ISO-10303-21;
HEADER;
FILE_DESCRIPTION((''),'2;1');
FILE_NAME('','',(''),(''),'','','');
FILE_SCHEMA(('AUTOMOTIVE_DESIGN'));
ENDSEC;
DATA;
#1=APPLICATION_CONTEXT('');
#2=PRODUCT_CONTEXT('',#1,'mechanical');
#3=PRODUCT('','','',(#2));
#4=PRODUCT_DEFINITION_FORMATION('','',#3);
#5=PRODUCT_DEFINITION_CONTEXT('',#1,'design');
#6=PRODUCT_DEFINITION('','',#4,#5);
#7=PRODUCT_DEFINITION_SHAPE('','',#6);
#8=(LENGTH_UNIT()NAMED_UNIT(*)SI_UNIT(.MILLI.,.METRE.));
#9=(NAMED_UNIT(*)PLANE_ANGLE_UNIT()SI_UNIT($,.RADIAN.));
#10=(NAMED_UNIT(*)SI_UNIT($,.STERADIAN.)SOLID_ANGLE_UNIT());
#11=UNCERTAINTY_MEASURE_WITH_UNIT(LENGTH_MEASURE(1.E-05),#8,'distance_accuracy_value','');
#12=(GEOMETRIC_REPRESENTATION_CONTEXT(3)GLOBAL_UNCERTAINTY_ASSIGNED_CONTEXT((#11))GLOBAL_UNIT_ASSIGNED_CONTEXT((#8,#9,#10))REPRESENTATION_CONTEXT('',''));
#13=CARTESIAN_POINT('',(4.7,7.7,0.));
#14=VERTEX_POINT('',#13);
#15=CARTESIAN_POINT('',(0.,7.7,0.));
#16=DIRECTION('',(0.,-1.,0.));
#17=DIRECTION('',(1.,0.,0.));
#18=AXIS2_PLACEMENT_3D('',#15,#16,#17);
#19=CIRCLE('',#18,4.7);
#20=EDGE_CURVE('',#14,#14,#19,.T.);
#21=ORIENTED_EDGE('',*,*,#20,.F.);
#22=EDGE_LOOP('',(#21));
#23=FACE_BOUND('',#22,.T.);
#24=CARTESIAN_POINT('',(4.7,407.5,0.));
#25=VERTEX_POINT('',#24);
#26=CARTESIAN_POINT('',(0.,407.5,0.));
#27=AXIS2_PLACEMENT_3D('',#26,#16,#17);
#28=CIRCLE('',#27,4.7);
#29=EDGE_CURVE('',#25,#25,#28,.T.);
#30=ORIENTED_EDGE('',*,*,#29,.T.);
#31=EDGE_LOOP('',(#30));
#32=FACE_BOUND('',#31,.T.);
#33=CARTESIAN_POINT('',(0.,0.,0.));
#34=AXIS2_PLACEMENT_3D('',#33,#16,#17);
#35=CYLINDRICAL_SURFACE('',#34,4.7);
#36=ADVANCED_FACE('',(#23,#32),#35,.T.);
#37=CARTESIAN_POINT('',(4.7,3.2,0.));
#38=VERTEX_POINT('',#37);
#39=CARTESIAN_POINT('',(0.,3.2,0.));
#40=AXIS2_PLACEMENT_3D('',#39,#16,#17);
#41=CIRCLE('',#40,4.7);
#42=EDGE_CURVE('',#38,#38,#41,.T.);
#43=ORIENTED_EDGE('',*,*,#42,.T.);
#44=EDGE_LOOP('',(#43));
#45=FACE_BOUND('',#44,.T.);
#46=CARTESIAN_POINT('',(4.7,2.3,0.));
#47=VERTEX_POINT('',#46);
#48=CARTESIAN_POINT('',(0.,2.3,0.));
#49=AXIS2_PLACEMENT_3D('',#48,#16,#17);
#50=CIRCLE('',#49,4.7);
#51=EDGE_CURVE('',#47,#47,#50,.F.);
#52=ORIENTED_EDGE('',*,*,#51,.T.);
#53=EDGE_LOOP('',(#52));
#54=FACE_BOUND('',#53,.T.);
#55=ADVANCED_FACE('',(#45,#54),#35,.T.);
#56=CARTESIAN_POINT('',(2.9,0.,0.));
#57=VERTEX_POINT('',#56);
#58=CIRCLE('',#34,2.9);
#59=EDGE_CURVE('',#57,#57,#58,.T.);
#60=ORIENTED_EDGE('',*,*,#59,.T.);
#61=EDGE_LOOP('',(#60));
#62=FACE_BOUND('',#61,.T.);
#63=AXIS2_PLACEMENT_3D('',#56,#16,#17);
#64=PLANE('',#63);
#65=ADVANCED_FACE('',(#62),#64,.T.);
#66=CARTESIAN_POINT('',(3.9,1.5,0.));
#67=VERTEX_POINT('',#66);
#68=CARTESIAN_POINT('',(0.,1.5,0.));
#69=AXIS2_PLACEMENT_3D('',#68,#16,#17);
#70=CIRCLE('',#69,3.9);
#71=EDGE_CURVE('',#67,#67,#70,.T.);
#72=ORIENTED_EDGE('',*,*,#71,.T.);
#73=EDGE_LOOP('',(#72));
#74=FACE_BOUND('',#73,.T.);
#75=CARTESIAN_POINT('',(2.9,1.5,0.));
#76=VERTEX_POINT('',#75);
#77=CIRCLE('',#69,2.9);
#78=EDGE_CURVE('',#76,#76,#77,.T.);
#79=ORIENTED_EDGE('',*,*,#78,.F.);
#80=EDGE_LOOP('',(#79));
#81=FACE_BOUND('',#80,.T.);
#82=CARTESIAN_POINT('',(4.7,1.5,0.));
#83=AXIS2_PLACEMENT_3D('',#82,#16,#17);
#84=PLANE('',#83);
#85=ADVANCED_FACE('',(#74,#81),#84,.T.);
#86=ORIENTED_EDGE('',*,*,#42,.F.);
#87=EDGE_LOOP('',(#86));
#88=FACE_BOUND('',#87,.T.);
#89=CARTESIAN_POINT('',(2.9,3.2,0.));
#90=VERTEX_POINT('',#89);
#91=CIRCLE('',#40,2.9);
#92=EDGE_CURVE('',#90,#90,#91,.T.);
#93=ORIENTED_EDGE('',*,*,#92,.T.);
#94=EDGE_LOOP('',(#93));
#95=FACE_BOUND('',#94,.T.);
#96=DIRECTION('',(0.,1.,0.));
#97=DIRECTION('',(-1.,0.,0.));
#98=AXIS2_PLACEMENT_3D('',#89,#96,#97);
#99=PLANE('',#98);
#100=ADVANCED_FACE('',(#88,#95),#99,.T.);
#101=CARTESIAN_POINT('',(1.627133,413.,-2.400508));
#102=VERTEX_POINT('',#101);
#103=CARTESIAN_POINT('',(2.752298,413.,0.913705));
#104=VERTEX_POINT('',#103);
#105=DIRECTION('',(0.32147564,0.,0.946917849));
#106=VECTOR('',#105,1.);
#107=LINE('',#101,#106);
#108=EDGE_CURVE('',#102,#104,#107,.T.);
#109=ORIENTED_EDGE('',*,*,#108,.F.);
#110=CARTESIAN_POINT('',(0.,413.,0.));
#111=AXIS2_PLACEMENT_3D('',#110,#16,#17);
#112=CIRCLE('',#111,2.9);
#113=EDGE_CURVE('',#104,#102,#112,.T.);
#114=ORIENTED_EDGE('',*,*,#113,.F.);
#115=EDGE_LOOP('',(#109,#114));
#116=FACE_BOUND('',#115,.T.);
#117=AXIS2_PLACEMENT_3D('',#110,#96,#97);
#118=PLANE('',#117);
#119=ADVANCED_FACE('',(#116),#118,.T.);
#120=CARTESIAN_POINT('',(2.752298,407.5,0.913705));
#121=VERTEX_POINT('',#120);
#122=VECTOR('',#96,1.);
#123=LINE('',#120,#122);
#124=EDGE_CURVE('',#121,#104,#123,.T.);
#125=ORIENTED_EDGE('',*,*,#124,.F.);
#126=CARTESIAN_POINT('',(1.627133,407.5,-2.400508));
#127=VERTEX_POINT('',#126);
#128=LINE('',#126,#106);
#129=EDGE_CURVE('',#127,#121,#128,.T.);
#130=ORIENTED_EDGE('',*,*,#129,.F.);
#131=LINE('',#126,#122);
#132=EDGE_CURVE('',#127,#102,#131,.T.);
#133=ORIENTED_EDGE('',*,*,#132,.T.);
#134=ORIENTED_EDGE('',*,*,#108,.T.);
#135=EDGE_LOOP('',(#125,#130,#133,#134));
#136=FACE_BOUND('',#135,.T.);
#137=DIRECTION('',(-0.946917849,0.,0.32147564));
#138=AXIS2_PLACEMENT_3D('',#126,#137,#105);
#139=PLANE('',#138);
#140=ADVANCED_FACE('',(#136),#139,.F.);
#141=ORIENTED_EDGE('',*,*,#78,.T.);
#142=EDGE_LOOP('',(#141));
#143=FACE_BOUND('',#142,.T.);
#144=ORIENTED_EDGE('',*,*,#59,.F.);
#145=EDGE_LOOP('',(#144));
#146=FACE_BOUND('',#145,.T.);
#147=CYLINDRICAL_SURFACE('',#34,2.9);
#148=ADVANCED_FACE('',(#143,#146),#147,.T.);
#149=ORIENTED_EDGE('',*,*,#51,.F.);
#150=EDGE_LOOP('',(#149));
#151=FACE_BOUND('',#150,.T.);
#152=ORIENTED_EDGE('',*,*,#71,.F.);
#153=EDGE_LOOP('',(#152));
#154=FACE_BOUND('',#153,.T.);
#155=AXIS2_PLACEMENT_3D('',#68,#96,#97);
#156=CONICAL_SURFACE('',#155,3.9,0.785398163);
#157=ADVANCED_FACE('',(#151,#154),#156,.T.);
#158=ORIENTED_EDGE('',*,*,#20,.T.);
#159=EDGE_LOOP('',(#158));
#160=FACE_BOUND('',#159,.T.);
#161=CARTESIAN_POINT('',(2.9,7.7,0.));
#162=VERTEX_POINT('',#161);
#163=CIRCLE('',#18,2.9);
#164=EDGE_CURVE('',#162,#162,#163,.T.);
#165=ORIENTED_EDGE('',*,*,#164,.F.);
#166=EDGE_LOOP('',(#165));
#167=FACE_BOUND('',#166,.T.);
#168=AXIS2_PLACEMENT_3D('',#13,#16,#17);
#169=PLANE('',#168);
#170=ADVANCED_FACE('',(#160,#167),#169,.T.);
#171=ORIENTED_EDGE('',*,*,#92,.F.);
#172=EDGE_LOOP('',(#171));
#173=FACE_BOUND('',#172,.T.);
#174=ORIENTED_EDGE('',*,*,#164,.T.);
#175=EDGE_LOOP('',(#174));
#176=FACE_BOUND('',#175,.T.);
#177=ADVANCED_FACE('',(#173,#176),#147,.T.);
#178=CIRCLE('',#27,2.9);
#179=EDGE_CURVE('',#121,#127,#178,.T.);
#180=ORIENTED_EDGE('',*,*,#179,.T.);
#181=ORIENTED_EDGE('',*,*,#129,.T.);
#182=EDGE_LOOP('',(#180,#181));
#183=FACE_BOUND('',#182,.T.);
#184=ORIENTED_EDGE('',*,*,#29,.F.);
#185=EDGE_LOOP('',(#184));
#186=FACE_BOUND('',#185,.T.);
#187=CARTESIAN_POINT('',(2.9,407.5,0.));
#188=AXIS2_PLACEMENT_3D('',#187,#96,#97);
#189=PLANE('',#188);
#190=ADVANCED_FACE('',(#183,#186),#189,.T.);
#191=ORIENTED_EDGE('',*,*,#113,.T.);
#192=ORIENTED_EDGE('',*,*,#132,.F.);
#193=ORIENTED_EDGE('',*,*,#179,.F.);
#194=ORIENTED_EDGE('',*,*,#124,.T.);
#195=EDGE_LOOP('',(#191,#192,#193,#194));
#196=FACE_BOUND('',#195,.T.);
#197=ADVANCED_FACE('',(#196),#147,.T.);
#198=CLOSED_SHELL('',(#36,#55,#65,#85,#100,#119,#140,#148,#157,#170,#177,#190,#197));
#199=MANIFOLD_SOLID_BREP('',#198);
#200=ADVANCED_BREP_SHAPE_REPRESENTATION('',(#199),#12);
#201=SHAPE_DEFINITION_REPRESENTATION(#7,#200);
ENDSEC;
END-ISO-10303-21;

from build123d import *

# Parameters (mm, degrees)
CHANFREIN1_SIZE         = 0.8
ENL_V_MAT_EXTRU_1_DEPTH = 5.5


with BuildPart() as part:
    # Esquisse1 → Révolution1 (revolve)
    with BuildSketch(Plane.XY):
        Polygon((0, 0), (0, 413), (2.9, 413), (2.9, 407.5), (4.7, 407.5), (4.7, 7.7), (2.9, 7.7), (2.9, 3.2), (4.7, 3.2), (4.7, 1.5), (2.9, 1.5), (2.9, 0), align=None)
    revolve(axis=Axis((0, 0, 0), (0, 1, 0)))

    # Chanfrein1
    chanfrein1_edges = [part.edges().sort_by_distance(p)[0] for p in [
        (-4.7, 1.5, 0),
    ]]
    chamfer(chanfrein1_edges, length=CHANFREIN1_SIZE)

    # Esquisse2 → Enlèv. mat.-Extru.1 (cut)
    with BuildSketch(Plane(origin=(0, 413, 0), x_dir=(1, 0, 0), z_dir=(0, 1, 0))):
        Polygon((1.627133166, 2.400507792), (2.752297905, -0.91370468), (4.646133603, -0.2707534), (3.520968864, 3.043459072), align=None)
    extrude(amount=-ENL_V_MAT_EXTRU_1_DEPTH, mode=Mode.SUBTRACT)


solid = part.part
